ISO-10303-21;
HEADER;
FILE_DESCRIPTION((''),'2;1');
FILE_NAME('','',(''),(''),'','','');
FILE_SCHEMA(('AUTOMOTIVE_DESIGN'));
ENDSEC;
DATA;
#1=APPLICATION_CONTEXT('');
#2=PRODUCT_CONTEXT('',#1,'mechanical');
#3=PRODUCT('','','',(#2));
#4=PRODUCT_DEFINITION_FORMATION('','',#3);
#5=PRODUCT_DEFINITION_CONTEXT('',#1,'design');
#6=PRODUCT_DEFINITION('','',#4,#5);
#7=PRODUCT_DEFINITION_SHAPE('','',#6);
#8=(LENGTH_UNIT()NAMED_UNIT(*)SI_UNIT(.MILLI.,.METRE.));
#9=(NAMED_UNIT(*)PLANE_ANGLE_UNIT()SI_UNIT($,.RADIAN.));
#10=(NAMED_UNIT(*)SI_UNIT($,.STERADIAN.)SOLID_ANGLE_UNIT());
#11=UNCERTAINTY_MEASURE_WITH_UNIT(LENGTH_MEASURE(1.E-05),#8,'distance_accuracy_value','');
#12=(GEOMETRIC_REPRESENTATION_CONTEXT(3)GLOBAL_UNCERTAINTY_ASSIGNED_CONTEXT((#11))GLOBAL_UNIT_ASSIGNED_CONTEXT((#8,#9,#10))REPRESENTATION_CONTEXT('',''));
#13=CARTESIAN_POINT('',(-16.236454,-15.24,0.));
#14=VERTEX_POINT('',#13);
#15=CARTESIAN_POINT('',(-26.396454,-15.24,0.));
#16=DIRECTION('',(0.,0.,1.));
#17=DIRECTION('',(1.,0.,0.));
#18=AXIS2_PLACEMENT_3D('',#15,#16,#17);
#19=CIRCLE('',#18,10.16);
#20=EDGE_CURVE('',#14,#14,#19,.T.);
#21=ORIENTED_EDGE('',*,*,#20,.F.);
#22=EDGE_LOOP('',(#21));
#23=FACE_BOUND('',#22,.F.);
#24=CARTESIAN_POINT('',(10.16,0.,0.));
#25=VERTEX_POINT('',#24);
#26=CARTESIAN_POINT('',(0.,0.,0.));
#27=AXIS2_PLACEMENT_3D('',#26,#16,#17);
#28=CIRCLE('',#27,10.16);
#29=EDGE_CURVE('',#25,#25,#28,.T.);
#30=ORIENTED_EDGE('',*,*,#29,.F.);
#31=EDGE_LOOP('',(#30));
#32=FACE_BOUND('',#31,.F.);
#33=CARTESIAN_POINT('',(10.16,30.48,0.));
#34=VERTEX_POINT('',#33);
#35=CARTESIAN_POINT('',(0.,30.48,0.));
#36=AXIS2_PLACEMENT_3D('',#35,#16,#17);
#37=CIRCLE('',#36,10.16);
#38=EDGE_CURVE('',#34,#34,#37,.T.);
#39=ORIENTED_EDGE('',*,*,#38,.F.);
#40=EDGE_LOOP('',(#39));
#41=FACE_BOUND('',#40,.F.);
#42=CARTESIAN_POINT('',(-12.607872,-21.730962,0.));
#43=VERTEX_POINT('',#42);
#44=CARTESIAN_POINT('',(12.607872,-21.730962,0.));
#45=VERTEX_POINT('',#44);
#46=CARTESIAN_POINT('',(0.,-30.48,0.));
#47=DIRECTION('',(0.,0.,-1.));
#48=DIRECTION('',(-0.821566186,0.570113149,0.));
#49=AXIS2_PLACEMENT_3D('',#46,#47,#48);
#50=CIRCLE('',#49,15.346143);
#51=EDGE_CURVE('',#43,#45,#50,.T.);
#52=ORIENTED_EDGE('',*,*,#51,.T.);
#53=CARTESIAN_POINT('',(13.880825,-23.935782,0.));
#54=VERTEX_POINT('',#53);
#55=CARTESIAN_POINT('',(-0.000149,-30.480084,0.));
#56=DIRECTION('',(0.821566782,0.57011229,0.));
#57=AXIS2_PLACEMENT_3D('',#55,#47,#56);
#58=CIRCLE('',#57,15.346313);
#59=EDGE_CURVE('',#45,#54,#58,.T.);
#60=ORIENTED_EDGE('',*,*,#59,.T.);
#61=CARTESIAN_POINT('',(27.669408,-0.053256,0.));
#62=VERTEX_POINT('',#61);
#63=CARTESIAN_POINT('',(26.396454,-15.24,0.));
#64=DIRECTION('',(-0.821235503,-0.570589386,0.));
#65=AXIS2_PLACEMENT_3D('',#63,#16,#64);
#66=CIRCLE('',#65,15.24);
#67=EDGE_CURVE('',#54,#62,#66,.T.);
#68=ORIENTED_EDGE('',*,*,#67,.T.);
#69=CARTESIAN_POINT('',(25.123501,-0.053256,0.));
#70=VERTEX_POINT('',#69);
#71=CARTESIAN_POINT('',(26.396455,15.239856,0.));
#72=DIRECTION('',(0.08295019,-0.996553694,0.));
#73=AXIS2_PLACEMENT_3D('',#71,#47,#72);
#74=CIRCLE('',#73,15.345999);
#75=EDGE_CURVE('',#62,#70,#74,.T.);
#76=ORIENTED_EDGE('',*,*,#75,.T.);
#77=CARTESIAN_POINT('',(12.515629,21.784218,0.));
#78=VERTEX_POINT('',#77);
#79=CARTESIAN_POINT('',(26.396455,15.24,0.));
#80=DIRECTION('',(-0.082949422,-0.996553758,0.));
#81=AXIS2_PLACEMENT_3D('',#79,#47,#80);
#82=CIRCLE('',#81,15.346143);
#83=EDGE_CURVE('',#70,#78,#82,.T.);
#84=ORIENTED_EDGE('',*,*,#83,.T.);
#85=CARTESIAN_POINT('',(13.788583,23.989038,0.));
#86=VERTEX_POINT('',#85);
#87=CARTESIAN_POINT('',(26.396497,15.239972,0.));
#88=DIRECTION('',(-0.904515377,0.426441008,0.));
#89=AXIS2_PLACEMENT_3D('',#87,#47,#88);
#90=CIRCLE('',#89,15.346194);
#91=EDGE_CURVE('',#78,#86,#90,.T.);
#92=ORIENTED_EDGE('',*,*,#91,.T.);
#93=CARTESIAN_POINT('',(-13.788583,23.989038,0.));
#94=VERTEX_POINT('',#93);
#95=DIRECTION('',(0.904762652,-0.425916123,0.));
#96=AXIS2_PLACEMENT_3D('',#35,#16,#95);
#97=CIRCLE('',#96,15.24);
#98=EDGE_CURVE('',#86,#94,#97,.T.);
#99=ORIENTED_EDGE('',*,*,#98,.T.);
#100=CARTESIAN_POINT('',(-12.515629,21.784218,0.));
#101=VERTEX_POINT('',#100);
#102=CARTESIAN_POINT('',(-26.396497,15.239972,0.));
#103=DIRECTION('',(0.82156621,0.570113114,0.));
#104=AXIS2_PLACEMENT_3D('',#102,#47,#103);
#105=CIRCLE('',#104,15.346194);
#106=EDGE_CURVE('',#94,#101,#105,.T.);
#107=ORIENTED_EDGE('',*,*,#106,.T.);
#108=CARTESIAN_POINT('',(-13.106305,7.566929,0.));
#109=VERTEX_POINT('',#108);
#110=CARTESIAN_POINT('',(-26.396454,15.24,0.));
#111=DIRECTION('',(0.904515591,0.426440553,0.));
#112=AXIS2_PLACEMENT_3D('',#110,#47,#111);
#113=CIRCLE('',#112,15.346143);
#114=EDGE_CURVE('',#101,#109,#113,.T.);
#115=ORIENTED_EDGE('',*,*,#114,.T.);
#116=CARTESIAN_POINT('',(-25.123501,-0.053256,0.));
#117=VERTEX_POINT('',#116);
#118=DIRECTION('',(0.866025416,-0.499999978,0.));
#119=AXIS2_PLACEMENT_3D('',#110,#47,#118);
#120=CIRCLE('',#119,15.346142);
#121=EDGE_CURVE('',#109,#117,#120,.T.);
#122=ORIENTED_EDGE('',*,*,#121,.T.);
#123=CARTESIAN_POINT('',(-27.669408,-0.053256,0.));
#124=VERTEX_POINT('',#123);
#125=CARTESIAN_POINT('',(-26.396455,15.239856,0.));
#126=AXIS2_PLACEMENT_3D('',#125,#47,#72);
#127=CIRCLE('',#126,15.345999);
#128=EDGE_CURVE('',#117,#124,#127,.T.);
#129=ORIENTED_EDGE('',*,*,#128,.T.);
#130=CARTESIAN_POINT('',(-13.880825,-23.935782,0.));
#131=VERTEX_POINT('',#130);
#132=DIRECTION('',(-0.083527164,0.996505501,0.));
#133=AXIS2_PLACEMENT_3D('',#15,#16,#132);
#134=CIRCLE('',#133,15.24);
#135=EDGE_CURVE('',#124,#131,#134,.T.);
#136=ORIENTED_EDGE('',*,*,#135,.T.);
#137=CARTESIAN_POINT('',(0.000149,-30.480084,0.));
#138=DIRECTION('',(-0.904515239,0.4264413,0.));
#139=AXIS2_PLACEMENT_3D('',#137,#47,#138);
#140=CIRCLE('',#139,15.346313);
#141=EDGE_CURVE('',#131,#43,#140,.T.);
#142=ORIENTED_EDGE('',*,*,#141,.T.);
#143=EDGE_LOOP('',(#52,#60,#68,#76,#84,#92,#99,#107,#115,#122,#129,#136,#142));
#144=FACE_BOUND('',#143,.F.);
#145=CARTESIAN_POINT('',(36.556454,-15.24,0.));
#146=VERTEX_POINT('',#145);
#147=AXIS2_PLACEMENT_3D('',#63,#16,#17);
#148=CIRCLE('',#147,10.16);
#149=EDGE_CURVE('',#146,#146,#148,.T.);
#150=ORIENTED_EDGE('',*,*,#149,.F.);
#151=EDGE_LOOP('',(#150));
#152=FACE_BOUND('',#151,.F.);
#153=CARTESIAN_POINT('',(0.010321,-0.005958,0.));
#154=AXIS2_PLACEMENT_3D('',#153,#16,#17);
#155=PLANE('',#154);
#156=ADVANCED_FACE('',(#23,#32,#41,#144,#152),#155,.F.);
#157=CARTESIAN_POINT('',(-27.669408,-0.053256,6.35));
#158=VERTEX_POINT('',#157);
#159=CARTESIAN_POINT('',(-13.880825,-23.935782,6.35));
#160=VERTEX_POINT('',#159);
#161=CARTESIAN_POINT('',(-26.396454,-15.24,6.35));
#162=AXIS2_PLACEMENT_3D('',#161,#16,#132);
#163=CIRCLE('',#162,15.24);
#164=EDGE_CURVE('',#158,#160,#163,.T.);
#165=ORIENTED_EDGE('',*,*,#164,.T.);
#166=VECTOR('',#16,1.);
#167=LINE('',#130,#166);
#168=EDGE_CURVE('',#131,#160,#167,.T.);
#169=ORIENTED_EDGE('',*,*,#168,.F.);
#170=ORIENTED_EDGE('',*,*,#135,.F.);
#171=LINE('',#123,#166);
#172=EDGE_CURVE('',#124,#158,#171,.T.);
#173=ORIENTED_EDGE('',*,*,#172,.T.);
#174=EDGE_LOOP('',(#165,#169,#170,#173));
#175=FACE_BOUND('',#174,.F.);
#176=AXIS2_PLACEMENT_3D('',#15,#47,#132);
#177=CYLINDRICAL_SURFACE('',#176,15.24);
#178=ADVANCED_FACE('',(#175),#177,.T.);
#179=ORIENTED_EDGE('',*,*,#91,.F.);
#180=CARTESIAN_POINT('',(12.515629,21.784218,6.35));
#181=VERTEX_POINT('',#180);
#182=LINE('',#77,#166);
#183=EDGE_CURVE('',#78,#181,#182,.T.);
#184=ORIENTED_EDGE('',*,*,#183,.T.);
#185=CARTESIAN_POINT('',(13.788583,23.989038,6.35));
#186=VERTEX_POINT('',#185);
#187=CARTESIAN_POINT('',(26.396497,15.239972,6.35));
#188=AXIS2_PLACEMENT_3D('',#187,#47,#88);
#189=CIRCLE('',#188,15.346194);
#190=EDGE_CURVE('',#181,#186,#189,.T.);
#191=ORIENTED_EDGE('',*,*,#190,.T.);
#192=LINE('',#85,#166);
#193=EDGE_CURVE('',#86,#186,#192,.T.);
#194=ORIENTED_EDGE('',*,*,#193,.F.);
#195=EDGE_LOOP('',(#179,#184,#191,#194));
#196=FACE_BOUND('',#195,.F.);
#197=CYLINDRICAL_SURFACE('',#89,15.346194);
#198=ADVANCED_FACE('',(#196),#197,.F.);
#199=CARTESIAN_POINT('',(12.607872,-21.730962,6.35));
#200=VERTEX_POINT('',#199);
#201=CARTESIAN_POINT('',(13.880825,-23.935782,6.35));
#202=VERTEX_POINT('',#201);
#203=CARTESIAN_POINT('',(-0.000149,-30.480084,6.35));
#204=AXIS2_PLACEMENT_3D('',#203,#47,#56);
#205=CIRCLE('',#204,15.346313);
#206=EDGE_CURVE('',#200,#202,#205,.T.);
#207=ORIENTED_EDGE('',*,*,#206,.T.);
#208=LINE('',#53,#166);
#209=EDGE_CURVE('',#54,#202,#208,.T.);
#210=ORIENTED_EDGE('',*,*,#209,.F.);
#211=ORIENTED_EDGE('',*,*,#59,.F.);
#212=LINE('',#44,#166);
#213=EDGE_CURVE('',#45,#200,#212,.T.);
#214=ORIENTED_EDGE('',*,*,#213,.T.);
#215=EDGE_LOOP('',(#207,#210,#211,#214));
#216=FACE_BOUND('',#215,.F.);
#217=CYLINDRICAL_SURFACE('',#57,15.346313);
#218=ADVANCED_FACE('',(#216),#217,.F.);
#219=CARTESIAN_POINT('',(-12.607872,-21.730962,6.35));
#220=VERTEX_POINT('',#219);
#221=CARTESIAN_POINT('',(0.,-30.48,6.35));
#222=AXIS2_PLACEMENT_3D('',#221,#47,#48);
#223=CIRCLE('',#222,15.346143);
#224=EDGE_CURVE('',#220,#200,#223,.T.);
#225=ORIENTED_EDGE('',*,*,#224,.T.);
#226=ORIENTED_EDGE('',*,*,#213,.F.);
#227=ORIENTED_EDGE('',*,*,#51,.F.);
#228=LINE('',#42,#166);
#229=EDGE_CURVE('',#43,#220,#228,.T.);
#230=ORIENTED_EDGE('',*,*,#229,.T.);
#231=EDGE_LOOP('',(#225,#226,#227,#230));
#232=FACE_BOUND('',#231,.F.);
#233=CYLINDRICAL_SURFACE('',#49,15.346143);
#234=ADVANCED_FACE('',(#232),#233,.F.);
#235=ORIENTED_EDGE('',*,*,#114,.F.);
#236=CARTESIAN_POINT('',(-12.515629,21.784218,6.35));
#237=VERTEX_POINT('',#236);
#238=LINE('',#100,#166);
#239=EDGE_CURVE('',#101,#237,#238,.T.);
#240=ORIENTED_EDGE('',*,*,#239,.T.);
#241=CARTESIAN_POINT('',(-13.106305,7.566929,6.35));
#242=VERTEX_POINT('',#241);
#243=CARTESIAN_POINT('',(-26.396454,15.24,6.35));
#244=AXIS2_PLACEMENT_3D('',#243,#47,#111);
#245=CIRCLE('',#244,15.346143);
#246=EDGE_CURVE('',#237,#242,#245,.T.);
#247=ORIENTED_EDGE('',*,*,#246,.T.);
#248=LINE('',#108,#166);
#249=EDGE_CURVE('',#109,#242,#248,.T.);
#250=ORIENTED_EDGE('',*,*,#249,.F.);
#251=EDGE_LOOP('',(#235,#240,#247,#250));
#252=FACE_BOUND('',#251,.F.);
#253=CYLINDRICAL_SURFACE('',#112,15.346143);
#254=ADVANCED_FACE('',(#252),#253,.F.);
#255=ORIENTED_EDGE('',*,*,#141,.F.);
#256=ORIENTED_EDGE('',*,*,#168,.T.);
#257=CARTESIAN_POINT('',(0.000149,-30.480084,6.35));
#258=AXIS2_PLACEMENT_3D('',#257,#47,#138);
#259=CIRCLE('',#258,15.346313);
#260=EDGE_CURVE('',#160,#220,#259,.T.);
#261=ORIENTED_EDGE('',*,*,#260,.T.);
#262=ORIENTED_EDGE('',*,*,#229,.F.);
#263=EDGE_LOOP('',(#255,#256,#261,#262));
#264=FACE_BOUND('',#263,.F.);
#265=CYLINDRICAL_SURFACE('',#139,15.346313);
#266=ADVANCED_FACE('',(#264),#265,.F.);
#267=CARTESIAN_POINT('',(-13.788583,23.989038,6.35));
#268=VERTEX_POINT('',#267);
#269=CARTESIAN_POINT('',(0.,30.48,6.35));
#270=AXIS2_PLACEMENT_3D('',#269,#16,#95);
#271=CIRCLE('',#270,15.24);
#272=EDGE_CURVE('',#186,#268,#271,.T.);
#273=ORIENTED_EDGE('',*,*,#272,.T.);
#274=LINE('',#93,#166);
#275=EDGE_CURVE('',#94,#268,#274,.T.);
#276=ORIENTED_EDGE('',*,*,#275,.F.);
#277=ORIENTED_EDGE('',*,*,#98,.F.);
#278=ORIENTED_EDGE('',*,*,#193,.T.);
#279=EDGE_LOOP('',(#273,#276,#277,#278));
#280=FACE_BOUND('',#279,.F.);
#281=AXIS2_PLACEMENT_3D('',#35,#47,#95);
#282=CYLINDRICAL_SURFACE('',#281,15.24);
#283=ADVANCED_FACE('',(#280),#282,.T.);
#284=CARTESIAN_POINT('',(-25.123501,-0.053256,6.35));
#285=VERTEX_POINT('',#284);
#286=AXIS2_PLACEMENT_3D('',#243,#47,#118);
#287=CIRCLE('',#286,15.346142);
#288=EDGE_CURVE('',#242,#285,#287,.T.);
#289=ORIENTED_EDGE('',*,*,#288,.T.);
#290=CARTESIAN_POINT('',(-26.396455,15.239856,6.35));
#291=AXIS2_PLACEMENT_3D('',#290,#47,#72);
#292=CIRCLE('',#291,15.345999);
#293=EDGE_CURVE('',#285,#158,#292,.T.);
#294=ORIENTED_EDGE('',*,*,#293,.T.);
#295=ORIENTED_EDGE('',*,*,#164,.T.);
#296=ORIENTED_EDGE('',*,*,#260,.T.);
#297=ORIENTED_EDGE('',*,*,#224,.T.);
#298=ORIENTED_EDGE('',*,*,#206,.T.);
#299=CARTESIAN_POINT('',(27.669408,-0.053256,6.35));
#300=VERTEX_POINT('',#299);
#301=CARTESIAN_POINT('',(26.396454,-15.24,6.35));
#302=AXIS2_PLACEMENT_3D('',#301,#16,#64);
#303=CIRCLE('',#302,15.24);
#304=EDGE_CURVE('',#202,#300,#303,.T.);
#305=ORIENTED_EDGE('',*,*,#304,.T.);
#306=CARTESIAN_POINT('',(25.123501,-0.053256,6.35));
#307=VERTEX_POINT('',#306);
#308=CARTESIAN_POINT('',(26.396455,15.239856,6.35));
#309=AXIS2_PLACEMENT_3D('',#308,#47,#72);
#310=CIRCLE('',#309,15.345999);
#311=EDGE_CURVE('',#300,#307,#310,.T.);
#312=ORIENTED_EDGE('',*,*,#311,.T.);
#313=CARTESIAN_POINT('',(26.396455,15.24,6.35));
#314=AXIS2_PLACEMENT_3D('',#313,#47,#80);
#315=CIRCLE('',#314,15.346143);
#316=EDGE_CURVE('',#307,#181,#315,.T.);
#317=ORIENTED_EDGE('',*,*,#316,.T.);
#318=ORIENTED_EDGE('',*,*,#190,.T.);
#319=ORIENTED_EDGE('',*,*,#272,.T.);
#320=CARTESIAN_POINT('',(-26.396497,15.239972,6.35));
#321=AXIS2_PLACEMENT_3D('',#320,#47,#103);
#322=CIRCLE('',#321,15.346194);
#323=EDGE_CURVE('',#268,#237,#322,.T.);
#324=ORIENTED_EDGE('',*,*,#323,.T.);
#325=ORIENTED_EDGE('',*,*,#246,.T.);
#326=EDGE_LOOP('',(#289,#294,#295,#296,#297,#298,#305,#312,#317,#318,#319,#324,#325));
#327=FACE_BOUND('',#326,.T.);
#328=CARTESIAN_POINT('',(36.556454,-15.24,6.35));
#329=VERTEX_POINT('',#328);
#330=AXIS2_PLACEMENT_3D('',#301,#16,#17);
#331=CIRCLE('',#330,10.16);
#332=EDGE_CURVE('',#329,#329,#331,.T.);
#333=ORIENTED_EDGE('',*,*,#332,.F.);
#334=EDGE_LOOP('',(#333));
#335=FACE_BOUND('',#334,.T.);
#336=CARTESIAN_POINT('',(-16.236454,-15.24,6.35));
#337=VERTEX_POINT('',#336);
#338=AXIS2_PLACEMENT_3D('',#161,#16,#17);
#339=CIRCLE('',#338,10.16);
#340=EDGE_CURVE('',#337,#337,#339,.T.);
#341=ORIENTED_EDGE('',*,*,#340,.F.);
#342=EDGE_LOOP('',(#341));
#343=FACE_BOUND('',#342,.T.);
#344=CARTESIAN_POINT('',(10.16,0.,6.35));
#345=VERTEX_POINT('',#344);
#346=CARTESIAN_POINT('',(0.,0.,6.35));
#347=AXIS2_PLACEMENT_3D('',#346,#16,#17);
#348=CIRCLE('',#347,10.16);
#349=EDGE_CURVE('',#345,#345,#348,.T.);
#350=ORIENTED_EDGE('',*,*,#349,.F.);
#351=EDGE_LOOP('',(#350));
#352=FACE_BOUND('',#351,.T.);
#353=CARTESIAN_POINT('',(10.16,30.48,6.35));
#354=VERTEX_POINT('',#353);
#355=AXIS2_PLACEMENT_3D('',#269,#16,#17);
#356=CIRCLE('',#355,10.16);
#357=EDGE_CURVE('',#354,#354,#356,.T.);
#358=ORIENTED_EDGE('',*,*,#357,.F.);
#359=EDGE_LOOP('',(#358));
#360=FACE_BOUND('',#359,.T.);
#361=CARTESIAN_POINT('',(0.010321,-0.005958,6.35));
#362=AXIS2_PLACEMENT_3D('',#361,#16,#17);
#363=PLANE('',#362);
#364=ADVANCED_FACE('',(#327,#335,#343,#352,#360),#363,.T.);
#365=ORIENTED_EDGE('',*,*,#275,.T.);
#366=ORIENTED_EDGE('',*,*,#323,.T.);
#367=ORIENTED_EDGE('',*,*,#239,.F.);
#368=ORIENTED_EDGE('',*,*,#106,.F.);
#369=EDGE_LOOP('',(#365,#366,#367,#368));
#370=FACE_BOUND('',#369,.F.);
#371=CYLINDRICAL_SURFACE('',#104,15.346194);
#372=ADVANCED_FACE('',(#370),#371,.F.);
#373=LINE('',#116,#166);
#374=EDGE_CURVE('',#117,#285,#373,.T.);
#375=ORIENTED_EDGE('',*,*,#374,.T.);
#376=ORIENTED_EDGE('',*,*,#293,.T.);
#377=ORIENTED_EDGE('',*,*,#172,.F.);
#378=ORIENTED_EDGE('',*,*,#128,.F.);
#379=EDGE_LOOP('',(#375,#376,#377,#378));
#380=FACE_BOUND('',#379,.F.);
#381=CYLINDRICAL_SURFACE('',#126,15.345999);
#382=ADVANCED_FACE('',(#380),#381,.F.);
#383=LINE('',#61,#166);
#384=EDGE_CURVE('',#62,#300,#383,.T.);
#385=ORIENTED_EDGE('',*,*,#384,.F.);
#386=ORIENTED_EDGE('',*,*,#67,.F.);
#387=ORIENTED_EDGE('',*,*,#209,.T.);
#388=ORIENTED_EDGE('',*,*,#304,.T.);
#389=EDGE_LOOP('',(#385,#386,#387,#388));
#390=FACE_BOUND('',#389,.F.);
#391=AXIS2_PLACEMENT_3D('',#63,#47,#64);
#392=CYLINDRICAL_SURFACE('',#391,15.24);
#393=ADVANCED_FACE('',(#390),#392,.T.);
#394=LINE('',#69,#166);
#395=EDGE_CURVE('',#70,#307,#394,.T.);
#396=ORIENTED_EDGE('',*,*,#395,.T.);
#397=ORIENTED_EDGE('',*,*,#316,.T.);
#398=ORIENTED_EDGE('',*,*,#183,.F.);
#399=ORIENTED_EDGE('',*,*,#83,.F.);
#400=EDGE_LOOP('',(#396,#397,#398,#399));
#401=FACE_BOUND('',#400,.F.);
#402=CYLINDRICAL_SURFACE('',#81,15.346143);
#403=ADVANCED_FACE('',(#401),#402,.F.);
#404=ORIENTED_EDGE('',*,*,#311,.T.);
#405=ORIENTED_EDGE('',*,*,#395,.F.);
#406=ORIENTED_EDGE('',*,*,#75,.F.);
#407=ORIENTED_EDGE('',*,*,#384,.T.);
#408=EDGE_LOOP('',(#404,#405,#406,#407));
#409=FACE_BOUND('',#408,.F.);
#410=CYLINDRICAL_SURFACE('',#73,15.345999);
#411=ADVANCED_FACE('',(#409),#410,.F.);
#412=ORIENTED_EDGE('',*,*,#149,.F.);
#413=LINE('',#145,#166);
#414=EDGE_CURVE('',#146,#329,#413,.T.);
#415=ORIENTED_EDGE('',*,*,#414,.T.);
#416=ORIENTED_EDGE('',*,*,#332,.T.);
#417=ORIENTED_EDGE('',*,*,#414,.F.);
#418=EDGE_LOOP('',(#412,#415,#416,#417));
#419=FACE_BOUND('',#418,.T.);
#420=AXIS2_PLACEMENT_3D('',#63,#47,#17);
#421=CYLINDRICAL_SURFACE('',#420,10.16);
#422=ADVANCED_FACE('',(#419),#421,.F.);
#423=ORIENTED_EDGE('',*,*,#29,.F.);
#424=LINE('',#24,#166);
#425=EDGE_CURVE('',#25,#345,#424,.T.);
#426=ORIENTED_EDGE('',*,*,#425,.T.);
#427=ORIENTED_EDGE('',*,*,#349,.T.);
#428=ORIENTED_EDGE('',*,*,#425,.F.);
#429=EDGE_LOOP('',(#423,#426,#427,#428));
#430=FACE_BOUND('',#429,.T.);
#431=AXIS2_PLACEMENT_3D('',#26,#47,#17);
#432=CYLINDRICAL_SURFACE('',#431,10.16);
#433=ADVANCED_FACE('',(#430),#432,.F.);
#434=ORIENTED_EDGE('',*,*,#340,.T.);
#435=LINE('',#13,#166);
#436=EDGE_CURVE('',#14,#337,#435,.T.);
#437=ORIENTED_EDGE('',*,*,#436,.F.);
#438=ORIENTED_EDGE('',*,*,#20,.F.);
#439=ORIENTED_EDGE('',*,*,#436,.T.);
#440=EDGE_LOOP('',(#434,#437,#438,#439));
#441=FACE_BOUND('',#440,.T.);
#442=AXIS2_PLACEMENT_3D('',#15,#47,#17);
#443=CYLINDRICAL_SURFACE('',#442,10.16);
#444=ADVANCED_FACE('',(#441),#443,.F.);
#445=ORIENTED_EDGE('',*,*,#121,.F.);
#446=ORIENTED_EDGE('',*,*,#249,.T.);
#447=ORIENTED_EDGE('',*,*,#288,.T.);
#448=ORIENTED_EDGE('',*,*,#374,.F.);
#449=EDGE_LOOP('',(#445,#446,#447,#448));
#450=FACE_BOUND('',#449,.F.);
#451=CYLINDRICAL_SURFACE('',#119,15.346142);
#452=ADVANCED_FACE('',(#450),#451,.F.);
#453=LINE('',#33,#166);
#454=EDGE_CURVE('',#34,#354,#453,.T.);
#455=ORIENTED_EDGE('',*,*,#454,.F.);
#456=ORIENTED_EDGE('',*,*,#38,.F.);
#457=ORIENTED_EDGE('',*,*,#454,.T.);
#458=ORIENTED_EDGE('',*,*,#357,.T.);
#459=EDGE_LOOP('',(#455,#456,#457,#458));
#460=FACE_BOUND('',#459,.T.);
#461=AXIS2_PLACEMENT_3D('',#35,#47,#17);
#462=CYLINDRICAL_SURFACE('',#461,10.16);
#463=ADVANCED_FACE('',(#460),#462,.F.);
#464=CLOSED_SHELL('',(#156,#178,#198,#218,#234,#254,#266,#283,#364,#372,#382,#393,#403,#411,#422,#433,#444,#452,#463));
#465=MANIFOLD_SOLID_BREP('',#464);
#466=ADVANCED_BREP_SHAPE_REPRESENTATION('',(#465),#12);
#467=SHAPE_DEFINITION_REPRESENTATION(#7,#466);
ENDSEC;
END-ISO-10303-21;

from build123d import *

# Parameters (mm, degrees)
F0_R     = 10.16
F1_DEPTH = 6.35


with BuildPart() as f1:
    # F0 (on Top) → F1 (new body)
    with BuildSketch(Plane.XY):
        with BuildLine():
            ThreePointArc((25.123501, -0.053256), (13.106305, 7.566929), (12.515629, 21.784218))
            ThreePointArc((12.515629, 21.784218), (13.106305, 22.913071), (13.788583, 23.989038))
            ThreePointArc((13.788583, 23.989038), (0, 45.72), (-13.788583, 23.989038))
            ThreePointArc((-13.788583, 23.989038), (-13.106305, 22.913071), (-12.515629, 21.784218))
            ThreePointArc((-12.515629, 21.784218), (-11.063539, 14.602974), (-13.106305, 7.566929))
            ThreePointArc((-13.106305, 7.566929), (-18.178316, 2.279819), (-25.123501, -0.053256))
            ThreePointArc((-25.123501, -0.053256), (-26.396454, -0.106143), (-27.669408, -0.053256))
            ThreePointArc((-27.669408, -0.053256), (-39.594681, -22.86), (-13.880825, -23.935782))
            ThreePointArc((-13.880825, -23.935782), (-13.290149, -22.806929), (-12.607872, -21.730962))
            ThreePointArc((-12.607872, -21.730962), (0, -15.133857), (12.607872, -21.730962))
            ThreePointArc((12.607872, -21.730962), (13.290149, -22.806929), (13.880825, -23.935782))
            ThreePointArc((13.880825, -23.935782), (39.594681, -22.86), (27.669408, -0.053256))
            ThreePointArc((27.669408, -0.053256), (26.396454, -0.106143), (25.123501, -0.053256))
        make_face()
        with Locations((-26.396454, -15.24)):
            Circle(F0_R, mode=Mode.SUBTRACT)
        with Locations((26.396454, -15.24)):
            Circle(F0_R, mode=Mode.SUBTRACT)
        Circle(F0_R, mode=Mode.SUBTRACT)
        with Locations((0, 30.48)):
            Circle(F0_R, mode=Mode.SUBTRACT)
    extrude(amount=F1_DEPTH)


solid = f1.part
